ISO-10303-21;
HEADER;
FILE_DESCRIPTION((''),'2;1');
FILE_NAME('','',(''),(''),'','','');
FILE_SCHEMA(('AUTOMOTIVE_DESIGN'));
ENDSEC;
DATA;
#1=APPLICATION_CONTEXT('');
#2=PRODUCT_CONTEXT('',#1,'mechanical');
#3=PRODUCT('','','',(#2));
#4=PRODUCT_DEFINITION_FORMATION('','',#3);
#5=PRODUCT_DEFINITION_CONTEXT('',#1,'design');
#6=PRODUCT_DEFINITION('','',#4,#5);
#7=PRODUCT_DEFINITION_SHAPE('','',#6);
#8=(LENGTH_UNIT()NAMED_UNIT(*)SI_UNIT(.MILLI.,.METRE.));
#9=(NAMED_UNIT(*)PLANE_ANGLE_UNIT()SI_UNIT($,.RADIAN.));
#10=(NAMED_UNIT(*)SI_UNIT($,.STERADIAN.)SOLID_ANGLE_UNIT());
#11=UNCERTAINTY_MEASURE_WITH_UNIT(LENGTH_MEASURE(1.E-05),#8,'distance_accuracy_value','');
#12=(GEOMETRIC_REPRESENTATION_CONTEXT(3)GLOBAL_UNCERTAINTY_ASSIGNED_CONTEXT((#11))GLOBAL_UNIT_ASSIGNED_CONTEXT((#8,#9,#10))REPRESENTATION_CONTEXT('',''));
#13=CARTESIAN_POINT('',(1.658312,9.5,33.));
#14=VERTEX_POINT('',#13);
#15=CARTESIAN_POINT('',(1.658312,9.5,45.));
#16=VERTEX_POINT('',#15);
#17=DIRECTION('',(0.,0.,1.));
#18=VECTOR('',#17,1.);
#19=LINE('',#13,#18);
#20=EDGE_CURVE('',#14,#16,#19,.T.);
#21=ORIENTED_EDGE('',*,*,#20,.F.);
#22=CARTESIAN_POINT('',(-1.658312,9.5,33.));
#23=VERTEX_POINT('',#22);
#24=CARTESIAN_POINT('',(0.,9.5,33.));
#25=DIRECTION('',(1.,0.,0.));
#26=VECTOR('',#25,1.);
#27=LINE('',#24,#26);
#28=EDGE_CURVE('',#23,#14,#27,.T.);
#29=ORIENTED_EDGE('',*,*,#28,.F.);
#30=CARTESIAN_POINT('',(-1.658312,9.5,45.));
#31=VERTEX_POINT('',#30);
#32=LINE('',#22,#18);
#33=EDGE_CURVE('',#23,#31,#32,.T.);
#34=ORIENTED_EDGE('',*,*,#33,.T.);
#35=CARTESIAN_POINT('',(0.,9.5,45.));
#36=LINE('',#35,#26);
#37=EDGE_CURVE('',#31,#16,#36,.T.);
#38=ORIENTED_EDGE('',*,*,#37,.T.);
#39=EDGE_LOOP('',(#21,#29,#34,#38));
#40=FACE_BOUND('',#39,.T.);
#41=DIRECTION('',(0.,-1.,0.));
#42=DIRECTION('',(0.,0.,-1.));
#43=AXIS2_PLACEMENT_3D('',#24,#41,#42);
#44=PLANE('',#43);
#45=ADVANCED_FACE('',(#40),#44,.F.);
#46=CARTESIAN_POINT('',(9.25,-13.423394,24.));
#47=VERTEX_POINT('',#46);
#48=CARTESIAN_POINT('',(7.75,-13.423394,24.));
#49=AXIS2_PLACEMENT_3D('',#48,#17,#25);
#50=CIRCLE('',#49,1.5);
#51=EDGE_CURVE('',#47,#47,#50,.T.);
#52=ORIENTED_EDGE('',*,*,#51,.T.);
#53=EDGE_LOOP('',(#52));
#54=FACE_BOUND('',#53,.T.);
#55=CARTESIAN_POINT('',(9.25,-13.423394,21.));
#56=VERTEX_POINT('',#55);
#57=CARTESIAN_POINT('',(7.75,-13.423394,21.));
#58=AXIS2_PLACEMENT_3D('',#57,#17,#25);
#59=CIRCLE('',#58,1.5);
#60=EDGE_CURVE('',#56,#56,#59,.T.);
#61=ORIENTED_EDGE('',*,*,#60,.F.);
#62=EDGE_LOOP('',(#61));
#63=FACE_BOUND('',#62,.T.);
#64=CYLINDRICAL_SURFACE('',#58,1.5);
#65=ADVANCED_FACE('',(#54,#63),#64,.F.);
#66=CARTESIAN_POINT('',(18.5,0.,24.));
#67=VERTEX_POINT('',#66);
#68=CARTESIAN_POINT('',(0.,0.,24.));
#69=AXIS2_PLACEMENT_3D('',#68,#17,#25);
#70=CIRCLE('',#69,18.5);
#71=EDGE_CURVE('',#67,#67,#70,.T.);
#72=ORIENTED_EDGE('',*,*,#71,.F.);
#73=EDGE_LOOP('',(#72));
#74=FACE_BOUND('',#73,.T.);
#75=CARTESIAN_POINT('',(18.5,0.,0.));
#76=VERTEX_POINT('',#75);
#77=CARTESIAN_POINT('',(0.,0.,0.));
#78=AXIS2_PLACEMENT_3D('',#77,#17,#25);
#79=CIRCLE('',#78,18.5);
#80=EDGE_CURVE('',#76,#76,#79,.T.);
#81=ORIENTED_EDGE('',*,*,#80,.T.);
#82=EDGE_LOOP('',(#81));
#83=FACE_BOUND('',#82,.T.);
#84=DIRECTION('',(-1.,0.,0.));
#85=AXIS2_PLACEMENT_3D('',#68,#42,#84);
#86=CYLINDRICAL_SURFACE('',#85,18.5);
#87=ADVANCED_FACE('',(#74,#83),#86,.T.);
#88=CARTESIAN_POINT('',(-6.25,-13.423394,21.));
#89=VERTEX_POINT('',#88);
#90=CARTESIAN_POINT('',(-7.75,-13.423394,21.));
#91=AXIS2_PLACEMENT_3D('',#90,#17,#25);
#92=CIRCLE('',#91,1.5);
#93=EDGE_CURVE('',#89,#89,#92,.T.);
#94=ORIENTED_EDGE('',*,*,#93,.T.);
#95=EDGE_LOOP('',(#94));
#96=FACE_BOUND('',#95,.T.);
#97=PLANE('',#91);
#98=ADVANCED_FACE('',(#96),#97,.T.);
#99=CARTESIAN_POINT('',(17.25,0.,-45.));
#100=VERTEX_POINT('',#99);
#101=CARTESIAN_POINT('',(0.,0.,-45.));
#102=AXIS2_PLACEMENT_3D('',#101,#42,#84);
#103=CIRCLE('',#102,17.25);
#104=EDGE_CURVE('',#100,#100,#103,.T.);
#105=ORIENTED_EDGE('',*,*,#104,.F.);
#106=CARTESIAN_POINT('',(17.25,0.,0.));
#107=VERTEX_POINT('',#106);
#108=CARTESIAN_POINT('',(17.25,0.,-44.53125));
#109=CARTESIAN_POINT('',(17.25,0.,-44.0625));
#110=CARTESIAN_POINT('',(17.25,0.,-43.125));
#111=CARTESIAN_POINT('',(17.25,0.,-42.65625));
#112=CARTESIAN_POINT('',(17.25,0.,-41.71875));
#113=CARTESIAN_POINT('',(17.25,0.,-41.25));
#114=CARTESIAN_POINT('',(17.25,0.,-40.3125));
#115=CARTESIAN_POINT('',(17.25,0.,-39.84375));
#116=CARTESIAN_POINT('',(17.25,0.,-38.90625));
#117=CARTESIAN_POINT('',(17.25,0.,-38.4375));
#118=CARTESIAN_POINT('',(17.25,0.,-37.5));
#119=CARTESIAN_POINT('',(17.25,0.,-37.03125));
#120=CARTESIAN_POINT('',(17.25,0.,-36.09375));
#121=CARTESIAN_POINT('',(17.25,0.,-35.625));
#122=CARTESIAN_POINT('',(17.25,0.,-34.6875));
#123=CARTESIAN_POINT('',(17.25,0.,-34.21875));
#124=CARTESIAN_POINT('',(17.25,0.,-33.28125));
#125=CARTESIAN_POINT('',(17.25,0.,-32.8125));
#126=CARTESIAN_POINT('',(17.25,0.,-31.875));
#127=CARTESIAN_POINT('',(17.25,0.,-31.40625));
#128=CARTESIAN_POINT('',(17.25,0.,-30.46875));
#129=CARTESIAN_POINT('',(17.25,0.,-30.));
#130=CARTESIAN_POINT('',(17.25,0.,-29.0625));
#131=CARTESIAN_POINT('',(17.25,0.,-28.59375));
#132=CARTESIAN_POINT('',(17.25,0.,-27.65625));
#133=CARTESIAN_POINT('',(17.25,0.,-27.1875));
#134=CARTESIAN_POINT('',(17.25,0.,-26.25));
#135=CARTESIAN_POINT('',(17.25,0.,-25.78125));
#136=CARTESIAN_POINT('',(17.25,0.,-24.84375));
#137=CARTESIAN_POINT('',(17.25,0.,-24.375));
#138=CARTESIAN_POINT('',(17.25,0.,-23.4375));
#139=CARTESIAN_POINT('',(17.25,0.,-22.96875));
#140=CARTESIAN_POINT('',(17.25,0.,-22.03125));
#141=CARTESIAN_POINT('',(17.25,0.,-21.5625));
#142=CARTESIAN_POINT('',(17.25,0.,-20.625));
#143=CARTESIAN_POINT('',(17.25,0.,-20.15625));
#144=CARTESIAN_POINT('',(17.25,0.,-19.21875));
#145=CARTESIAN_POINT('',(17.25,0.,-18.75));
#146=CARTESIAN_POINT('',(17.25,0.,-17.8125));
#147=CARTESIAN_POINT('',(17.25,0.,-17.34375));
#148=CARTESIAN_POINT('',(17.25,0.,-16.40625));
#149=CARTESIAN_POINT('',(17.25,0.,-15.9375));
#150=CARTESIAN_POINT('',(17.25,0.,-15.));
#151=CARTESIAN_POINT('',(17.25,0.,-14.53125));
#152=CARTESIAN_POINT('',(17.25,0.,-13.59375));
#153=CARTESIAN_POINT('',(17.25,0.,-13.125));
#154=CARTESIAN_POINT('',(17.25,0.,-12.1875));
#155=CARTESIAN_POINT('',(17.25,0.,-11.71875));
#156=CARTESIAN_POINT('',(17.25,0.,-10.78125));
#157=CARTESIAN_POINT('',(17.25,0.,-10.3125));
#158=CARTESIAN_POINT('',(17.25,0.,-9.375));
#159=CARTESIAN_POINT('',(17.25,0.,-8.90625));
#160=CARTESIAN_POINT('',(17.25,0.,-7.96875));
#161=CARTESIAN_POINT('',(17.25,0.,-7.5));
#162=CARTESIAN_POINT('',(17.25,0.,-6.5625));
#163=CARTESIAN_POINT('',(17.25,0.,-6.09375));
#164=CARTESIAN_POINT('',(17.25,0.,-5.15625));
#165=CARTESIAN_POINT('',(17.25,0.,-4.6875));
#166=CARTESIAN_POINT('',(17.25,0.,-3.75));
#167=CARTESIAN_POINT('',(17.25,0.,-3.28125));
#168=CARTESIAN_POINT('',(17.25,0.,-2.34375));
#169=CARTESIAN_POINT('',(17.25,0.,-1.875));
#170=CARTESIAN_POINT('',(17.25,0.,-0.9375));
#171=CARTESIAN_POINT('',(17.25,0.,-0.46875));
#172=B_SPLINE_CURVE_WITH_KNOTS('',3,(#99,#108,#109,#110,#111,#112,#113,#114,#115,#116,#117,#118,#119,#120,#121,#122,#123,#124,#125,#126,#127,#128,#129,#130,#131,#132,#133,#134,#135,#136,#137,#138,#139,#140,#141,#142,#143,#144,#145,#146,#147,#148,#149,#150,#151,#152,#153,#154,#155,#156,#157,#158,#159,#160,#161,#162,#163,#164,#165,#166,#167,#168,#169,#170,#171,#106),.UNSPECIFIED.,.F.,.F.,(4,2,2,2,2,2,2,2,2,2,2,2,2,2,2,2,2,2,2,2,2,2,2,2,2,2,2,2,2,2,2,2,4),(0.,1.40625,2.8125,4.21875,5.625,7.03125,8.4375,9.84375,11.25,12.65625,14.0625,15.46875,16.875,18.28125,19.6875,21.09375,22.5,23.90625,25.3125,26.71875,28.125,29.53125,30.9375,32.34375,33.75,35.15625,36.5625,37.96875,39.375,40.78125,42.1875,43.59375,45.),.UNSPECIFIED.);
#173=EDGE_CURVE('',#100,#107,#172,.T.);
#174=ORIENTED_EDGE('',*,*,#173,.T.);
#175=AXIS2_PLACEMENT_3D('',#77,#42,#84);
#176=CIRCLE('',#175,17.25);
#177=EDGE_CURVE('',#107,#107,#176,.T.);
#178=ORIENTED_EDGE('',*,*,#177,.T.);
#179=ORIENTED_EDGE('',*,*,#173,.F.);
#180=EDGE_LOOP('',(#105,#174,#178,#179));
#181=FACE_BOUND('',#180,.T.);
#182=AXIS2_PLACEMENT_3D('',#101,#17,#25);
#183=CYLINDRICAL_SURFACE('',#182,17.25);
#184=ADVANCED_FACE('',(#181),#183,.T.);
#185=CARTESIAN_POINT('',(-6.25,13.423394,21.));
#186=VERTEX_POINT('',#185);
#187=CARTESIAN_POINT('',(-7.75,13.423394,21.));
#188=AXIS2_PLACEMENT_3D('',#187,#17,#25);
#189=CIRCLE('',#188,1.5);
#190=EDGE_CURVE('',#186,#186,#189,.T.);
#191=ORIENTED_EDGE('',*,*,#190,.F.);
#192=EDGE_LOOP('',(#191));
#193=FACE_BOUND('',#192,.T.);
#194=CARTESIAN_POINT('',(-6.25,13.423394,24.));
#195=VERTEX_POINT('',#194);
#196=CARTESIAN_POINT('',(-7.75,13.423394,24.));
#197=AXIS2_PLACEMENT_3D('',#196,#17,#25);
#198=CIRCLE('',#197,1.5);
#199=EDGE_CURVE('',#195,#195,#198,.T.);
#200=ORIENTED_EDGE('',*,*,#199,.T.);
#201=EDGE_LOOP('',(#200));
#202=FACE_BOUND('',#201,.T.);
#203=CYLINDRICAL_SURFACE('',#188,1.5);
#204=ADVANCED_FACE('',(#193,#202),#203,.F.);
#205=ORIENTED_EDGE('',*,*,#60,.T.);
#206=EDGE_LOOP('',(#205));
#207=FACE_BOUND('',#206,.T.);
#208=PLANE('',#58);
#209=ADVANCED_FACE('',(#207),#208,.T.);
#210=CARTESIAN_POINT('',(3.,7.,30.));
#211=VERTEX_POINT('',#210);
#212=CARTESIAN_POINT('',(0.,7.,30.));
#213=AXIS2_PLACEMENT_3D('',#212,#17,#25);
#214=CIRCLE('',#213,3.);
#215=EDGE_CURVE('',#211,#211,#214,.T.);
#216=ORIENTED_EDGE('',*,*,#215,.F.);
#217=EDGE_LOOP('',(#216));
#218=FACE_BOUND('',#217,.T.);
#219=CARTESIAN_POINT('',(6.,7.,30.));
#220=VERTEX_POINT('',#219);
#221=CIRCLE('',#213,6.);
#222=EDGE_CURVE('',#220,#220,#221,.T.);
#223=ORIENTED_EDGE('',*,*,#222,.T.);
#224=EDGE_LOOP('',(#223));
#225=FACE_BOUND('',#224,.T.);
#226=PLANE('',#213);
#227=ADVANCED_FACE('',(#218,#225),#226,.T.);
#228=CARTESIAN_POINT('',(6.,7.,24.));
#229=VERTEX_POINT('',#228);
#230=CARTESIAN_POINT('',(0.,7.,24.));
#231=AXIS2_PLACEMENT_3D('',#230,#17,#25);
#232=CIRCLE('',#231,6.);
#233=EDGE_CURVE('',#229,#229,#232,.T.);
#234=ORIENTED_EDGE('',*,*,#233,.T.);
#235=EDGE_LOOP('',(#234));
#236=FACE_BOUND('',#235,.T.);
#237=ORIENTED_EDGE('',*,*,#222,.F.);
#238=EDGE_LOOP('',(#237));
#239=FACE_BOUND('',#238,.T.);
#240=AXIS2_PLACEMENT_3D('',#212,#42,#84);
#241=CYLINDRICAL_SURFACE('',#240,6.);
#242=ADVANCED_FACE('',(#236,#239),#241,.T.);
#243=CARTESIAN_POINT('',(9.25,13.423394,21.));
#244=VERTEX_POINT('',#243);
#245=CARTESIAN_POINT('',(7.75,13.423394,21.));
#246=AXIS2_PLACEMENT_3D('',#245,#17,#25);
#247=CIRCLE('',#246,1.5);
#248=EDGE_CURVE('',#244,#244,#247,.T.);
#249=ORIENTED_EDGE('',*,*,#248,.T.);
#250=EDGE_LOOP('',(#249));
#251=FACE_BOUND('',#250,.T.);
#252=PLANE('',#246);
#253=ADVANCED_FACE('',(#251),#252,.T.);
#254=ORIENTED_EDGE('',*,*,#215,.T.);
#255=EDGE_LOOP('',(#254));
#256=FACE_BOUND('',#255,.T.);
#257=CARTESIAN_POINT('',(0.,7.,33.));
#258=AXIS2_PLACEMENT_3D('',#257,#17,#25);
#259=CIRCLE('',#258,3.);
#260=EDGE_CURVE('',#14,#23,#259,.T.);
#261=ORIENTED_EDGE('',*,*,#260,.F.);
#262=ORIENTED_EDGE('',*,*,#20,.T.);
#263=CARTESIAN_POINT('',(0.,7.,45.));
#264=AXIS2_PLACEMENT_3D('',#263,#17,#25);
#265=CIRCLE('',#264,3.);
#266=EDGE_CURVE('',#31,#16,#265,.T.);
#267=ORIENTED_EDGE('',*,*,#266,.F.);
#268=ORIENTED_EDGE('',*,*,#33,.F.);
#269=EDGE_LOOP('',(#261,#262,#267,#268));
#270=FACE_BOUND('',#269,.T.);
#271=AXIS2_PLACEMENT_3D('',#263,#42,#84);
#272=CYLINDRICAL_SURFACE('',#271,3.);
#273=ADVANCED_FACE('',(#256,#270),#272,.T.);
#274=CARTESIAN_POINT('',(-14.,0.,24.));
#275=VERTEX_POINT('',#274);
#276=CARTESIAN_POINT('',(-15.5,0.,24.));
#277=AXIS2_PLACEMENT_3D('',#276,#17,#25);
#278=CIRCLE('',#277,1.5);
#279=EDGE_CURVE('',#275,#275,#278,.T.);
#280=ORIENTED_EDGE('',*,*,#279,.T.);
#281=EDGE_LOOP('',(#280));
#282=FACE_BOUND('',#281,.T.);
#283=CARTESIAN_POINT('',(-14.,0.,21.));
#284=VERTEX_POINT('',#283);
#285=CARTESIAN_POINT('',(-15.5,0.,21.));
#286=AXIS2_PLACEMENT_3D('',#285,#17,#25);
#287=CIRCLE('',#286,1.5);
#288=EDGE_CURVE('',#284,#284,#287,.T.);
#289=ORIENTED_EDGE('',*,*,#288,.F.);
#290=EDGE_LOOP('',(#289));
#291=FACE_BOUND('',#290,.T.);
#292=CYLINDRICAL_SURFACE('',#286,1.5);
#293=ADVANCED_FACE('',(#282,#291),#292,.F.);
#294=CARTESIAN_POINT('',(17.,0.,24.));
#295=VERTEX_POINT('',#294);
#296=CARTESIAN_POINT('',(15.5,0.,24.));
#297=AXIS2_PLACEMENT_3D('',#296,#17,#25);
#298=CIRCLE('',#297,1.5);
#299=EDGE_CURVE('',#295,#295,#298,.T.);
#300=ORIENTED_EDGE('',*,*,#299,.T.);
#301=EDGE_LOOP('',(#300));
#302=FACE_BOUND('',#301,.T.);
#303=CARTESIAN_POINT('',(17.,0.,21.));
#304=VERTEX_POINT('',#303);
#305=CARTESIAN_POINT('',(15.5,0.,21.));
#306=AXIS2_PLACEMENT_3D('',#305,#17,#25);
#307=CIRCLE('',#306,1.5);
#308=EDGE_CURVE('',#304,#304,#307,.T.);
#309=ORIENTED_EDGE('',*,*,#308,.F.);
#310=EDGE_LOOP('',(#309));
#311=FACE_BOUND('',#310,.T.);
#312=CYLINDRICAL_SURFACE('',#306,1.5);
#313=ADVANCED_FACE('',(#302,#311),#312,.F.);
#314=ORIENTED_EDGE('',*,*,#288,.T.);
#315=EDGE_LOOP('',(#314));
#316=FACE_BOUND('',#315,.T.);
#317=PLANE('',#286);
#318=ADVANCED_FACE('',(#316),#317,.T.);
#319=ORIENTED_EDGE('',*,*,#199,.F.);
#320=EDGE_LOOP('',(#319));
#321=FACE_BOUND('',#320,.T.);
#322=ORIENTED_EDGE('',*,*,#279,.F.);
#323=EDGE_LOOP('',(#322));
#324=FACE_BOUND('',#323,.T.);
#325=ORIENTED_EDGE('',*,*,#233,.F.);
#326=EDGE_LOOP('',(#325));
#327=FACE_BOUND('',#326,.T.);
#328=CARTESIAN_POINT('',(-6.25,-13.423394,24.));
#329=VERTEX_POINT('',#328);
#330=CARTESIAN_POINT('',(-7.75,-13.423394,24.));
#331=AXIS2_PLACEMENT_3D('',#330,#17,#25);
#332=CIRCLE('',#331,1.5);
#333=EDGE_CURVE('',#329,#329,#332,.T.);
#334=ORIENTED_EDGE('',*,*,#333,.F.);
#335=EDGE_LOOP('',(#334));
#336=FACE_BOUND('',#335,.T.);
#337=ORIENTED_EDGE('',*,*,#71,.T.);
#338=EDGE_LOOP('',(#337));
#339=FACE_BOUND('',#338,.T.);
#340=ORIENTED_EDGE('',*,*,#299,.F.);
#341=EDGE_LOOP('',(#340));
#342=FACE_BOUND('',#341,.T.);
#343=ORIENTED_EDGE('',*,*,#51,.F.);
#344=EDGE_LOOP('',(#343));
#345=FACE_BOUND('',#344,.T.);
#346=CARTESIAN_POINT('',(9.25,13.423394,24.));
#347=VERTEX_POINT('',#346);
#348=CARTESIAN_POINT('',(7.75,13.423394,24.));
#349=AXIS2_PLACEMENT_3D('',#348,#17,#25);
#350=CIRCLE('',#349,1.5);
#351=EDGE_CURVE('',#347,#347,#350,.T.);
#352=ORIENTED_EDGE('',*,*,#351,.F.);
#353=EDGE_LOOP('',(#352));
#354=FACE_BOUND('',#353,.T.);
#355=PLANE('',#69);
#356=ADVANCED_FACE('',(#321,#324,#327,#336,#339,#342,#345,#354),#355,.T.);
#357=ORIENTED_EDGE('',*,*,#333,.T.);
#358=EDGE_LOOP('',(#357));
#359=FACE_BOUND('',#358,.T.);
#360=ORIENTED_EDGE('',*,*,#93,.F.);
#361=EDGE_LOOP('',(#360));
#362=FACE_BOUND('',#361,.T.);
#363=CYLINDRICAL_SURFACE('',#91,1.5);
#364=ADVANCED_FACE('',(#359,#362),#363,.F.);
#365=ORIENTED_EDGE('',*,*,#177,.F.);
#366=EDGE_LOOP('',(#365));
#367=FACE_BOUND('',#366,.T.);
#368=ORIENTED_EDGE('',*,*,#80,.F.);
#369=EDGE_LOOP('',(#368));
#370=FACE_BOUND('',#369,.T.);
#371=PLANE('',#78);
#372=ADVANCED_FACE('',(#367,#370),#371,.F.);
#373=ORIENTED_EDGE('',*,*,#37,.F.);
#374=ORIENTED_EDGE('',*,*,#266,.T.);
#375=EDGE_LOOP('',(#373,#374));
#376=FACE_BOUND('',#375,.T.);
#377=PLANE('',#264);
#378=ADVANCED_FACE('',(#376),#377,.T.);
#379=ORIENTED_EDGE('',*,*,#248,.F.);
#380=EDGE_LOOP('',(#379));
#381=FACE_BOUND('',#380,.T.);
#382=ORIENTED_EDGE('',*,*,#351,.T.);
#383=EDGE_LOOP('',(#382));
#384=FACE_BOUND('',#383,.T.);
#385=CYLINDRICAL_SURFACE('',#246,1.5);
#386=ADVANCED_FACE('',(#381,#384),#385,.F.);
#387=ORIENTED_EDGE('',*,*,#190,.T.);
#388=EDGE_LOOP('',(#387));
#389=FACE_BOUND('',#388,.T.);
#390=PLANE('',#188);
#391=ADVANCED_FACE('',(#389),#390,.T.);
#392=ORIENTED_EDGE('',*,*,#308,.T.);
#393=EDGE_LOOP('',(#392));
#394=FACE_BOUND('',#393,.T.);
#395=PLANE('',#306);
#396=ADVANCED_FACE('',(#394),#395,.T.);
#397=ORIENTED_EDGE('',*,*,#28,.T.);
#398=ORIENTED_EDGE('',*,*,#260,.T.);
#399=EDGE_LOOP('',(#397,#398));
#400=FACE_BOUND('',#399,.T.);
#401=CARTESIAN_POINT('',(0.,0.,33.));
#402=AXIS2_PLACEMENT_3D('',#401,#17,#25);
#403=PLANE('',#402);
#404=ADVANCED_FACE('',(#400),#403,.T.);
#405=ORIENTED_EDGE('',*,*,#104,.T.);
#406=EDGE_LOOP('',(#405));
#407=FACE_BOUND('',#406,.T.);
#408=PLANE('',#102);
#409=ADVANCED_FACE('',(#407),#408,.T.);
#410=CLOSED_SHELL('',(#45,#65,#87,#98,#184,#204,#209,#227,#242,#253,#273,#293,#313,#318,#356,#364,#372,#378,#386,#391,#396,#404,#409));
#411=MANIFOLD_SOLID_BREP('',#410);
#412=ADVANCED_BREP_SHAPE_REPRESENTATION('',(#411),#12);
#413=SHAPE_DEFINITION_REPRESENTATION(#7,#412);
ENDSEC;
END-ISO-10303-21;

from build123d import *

# Parameters (mm, degrees)
SKETCH1_R           = 18.5
BOSS_EXTRUDE1_DEPTH = 24
SKETCH2_R           = 17.25
BOSS_EXTRUDE2_DEPTH = 45
SKETCH3_R           = 6
BOSS_EXTRUDE3_DEPTH = 6
SKETCH4_R           = 3
BOSS_EXTRUDE4_DEPTH = 15
CUT_EXTRUDE1_START  = -12
CUT_EXTRUDE1_DEPTH  = 12
SKETCH6_R           = 1.5
CUT_EXTRUDE2_DEPTH  = 3


with BuildPart() as part:
    # Sketch1 → Boss-Extrude1 (new body)
    with BuildSketch(Plane.XY):
        Circle(SKETCH1_R)
    extrude(amount=BOSS_EXTRUDE1_DEPTH)

    # Sketch2 → Boss-Extrude2 (add)
    with BuildSketch(Plane(origin=(0, 0, 0), x_dir=(-1, 0, 0), z_dir=(0, 0, -1))):
        with Locations(Location((0, 0, 0), (0, 0, 180))):
            Circle(SKETCH2_R)
    extrude(amount=BOSS_EXTRUDE2_DEPTH)

    # Sketch3 → Boss-Extrude3 (add)
    with BuildSketch(Plane.XY.offset(24)):
        with Locations((0, 7)):
            Circle(SKETCH3_R)
    extrude(amount=BOSS_EXTRUDE3_DEPTH)

    # Sketch4 → Boss-Extrude4 (add)
    with BuildSketch(Plane.XY.offset(30)):
        with Locations((0, 7)):
            Circle(SKETCH4_R)
    extrude(amount=BOSS_EXTRUDE4_DEPTH)

    # Sketch5 → Cut-Extrude1 (cut)
    with BuildSketch(Plane.XY.offset(45).offset(CUT_EXTRUDE1_START)):
        with BuildLine():
            ThreePointArc((1.658312395, 9.5), (0, 10), (-1.658312395, 9.5))
            Line((-1.658312395, 9.5), (0, 9.5))
            Line((0, 9.5), (1.658312395, 9.5))
        make_face()
    extrude(amount=CUT_EXTRUDE1_DEPTH, mode=Mode.SUBTRACT)

    # Sketch6 → Cut-Extrude2 (cut)
    with BuildSketch(Plane.XY.offset(24)):
        with Locations((7.75, 13.423393759)):
            Circle(SKETCH6_R)
        with Locations((15.5, 0)):
            Circle(SKETCH6_R)
        with Locations((7.75, -13.423393759)):
            Circle(SKETCH6_R)
        with Locations((-7.75, -13.423393759)):
            Circle(SKETCH6_R)
        with Locations((-15.5, 0)):
            Circle(SKETCH6_R)
        with Locations((-7.75, 13.423393759)):
            Circle(SKETCH6_R)
    extrude(amount=-CUT_EXTRUDE2_DEPTH, mode=Mode.SUBTRACT)


solid = part.part
